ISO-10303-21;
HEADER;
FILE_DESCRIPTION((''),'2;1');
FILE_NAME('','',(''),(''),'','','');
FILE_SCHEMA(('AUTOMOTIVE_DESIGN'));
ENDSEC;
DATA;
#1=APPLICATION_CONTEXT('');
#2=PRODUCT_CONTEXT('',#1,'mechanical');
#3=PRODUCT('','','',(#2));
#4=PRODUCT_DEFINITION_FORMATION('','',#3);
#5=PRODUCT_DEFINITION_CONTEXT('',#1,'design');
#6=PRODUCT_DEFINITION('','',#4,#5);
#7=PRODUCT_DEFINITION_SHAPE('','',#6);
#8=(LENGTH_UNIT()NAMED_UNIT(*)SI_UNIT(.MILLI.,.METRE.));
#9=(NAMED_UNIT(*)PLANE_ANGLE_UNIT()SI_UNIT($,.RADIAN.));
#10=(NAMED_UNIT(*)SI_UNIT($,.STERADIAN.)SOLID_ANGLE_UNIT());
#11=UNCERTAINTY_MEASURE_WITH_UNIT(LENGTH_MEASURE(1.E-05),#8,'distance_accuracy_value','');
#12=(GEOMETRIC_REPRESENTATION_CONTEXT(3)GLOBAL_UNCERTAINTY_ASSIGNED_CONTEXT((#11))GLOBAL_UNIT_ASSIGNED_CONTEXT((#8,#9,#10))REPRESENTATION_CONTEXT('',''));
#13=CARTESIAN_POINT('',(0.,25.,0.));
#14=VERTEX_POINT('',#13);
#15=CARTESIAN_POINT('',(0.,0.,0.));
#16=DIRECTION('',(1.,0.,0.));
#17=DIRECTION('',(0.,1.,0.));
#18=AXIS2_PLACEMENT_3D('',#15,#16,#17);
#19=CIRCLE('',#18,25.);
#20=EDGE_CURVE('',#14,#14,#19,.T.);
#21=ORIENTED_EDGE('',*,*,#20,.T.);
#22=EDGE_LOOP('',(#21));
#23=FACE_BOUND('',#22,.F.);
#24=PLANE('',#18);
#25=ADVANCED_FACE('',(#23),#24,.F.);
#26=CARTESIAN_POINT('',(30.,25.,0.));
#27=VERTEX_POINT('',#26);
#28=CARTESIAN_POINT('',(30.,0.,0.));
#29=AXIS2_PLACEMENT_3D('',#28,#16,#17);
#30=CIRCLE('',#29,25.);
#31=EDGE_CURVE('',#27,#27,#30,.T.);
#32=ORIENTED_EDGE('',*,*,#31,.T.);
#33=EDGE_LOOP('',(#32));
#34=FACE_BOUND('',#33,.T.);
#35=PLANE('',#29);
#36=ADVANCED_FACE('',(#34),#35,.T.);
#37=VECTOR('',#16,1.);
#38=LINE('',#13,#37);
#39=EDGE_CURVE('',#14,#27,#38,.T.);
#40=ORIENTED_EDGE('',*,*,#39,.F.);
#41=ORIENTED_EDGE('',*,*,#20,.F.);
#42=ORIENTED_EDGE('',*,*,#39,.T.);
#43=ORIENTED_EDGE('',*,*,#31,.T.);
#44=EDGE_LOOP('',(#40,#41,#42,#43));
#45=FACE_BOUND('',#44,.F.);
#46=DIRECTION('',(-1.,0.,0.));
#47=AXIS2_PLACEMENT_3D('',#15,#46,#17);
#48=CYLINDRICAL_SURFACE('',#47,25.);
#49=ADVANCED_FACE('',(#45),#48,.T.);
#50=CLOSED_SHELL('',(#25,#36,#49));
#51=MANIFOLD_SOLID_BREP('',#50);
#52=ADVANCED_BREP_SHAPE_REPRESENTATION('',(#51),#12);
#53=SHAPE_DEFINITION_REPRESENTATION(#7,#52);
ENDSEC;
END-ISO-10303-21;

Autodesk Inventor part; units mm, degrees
ref_plane "YZ Plane" through (0, 0, 0) normal (1, 0, 0) x (0, 1, 0)
ref_plane "XZ Plane" through (0, 0, 0) normal (0, 1, 0) x (-1, 0, 0)
ref_plane "XY Plane" through (0, 0, 0) normal (0, 0, 1) x (1, 0, 0)
sketch "Sketch1" plane through (0, 0, 0) normal (1, 0, 0) x (0, 1, 0)
  point P0 (0, 0)
sketch "Sketch2" plane through (0, 0, 0) normal (1, 0, 0) x (0, 1, 0)
  circle A0 centre (0, 0) radius 25
  dimension "d0" = 50
extrude "Extrusion1" add sketch "Sketch2" along normal blind 30
properties part number "lidar"
